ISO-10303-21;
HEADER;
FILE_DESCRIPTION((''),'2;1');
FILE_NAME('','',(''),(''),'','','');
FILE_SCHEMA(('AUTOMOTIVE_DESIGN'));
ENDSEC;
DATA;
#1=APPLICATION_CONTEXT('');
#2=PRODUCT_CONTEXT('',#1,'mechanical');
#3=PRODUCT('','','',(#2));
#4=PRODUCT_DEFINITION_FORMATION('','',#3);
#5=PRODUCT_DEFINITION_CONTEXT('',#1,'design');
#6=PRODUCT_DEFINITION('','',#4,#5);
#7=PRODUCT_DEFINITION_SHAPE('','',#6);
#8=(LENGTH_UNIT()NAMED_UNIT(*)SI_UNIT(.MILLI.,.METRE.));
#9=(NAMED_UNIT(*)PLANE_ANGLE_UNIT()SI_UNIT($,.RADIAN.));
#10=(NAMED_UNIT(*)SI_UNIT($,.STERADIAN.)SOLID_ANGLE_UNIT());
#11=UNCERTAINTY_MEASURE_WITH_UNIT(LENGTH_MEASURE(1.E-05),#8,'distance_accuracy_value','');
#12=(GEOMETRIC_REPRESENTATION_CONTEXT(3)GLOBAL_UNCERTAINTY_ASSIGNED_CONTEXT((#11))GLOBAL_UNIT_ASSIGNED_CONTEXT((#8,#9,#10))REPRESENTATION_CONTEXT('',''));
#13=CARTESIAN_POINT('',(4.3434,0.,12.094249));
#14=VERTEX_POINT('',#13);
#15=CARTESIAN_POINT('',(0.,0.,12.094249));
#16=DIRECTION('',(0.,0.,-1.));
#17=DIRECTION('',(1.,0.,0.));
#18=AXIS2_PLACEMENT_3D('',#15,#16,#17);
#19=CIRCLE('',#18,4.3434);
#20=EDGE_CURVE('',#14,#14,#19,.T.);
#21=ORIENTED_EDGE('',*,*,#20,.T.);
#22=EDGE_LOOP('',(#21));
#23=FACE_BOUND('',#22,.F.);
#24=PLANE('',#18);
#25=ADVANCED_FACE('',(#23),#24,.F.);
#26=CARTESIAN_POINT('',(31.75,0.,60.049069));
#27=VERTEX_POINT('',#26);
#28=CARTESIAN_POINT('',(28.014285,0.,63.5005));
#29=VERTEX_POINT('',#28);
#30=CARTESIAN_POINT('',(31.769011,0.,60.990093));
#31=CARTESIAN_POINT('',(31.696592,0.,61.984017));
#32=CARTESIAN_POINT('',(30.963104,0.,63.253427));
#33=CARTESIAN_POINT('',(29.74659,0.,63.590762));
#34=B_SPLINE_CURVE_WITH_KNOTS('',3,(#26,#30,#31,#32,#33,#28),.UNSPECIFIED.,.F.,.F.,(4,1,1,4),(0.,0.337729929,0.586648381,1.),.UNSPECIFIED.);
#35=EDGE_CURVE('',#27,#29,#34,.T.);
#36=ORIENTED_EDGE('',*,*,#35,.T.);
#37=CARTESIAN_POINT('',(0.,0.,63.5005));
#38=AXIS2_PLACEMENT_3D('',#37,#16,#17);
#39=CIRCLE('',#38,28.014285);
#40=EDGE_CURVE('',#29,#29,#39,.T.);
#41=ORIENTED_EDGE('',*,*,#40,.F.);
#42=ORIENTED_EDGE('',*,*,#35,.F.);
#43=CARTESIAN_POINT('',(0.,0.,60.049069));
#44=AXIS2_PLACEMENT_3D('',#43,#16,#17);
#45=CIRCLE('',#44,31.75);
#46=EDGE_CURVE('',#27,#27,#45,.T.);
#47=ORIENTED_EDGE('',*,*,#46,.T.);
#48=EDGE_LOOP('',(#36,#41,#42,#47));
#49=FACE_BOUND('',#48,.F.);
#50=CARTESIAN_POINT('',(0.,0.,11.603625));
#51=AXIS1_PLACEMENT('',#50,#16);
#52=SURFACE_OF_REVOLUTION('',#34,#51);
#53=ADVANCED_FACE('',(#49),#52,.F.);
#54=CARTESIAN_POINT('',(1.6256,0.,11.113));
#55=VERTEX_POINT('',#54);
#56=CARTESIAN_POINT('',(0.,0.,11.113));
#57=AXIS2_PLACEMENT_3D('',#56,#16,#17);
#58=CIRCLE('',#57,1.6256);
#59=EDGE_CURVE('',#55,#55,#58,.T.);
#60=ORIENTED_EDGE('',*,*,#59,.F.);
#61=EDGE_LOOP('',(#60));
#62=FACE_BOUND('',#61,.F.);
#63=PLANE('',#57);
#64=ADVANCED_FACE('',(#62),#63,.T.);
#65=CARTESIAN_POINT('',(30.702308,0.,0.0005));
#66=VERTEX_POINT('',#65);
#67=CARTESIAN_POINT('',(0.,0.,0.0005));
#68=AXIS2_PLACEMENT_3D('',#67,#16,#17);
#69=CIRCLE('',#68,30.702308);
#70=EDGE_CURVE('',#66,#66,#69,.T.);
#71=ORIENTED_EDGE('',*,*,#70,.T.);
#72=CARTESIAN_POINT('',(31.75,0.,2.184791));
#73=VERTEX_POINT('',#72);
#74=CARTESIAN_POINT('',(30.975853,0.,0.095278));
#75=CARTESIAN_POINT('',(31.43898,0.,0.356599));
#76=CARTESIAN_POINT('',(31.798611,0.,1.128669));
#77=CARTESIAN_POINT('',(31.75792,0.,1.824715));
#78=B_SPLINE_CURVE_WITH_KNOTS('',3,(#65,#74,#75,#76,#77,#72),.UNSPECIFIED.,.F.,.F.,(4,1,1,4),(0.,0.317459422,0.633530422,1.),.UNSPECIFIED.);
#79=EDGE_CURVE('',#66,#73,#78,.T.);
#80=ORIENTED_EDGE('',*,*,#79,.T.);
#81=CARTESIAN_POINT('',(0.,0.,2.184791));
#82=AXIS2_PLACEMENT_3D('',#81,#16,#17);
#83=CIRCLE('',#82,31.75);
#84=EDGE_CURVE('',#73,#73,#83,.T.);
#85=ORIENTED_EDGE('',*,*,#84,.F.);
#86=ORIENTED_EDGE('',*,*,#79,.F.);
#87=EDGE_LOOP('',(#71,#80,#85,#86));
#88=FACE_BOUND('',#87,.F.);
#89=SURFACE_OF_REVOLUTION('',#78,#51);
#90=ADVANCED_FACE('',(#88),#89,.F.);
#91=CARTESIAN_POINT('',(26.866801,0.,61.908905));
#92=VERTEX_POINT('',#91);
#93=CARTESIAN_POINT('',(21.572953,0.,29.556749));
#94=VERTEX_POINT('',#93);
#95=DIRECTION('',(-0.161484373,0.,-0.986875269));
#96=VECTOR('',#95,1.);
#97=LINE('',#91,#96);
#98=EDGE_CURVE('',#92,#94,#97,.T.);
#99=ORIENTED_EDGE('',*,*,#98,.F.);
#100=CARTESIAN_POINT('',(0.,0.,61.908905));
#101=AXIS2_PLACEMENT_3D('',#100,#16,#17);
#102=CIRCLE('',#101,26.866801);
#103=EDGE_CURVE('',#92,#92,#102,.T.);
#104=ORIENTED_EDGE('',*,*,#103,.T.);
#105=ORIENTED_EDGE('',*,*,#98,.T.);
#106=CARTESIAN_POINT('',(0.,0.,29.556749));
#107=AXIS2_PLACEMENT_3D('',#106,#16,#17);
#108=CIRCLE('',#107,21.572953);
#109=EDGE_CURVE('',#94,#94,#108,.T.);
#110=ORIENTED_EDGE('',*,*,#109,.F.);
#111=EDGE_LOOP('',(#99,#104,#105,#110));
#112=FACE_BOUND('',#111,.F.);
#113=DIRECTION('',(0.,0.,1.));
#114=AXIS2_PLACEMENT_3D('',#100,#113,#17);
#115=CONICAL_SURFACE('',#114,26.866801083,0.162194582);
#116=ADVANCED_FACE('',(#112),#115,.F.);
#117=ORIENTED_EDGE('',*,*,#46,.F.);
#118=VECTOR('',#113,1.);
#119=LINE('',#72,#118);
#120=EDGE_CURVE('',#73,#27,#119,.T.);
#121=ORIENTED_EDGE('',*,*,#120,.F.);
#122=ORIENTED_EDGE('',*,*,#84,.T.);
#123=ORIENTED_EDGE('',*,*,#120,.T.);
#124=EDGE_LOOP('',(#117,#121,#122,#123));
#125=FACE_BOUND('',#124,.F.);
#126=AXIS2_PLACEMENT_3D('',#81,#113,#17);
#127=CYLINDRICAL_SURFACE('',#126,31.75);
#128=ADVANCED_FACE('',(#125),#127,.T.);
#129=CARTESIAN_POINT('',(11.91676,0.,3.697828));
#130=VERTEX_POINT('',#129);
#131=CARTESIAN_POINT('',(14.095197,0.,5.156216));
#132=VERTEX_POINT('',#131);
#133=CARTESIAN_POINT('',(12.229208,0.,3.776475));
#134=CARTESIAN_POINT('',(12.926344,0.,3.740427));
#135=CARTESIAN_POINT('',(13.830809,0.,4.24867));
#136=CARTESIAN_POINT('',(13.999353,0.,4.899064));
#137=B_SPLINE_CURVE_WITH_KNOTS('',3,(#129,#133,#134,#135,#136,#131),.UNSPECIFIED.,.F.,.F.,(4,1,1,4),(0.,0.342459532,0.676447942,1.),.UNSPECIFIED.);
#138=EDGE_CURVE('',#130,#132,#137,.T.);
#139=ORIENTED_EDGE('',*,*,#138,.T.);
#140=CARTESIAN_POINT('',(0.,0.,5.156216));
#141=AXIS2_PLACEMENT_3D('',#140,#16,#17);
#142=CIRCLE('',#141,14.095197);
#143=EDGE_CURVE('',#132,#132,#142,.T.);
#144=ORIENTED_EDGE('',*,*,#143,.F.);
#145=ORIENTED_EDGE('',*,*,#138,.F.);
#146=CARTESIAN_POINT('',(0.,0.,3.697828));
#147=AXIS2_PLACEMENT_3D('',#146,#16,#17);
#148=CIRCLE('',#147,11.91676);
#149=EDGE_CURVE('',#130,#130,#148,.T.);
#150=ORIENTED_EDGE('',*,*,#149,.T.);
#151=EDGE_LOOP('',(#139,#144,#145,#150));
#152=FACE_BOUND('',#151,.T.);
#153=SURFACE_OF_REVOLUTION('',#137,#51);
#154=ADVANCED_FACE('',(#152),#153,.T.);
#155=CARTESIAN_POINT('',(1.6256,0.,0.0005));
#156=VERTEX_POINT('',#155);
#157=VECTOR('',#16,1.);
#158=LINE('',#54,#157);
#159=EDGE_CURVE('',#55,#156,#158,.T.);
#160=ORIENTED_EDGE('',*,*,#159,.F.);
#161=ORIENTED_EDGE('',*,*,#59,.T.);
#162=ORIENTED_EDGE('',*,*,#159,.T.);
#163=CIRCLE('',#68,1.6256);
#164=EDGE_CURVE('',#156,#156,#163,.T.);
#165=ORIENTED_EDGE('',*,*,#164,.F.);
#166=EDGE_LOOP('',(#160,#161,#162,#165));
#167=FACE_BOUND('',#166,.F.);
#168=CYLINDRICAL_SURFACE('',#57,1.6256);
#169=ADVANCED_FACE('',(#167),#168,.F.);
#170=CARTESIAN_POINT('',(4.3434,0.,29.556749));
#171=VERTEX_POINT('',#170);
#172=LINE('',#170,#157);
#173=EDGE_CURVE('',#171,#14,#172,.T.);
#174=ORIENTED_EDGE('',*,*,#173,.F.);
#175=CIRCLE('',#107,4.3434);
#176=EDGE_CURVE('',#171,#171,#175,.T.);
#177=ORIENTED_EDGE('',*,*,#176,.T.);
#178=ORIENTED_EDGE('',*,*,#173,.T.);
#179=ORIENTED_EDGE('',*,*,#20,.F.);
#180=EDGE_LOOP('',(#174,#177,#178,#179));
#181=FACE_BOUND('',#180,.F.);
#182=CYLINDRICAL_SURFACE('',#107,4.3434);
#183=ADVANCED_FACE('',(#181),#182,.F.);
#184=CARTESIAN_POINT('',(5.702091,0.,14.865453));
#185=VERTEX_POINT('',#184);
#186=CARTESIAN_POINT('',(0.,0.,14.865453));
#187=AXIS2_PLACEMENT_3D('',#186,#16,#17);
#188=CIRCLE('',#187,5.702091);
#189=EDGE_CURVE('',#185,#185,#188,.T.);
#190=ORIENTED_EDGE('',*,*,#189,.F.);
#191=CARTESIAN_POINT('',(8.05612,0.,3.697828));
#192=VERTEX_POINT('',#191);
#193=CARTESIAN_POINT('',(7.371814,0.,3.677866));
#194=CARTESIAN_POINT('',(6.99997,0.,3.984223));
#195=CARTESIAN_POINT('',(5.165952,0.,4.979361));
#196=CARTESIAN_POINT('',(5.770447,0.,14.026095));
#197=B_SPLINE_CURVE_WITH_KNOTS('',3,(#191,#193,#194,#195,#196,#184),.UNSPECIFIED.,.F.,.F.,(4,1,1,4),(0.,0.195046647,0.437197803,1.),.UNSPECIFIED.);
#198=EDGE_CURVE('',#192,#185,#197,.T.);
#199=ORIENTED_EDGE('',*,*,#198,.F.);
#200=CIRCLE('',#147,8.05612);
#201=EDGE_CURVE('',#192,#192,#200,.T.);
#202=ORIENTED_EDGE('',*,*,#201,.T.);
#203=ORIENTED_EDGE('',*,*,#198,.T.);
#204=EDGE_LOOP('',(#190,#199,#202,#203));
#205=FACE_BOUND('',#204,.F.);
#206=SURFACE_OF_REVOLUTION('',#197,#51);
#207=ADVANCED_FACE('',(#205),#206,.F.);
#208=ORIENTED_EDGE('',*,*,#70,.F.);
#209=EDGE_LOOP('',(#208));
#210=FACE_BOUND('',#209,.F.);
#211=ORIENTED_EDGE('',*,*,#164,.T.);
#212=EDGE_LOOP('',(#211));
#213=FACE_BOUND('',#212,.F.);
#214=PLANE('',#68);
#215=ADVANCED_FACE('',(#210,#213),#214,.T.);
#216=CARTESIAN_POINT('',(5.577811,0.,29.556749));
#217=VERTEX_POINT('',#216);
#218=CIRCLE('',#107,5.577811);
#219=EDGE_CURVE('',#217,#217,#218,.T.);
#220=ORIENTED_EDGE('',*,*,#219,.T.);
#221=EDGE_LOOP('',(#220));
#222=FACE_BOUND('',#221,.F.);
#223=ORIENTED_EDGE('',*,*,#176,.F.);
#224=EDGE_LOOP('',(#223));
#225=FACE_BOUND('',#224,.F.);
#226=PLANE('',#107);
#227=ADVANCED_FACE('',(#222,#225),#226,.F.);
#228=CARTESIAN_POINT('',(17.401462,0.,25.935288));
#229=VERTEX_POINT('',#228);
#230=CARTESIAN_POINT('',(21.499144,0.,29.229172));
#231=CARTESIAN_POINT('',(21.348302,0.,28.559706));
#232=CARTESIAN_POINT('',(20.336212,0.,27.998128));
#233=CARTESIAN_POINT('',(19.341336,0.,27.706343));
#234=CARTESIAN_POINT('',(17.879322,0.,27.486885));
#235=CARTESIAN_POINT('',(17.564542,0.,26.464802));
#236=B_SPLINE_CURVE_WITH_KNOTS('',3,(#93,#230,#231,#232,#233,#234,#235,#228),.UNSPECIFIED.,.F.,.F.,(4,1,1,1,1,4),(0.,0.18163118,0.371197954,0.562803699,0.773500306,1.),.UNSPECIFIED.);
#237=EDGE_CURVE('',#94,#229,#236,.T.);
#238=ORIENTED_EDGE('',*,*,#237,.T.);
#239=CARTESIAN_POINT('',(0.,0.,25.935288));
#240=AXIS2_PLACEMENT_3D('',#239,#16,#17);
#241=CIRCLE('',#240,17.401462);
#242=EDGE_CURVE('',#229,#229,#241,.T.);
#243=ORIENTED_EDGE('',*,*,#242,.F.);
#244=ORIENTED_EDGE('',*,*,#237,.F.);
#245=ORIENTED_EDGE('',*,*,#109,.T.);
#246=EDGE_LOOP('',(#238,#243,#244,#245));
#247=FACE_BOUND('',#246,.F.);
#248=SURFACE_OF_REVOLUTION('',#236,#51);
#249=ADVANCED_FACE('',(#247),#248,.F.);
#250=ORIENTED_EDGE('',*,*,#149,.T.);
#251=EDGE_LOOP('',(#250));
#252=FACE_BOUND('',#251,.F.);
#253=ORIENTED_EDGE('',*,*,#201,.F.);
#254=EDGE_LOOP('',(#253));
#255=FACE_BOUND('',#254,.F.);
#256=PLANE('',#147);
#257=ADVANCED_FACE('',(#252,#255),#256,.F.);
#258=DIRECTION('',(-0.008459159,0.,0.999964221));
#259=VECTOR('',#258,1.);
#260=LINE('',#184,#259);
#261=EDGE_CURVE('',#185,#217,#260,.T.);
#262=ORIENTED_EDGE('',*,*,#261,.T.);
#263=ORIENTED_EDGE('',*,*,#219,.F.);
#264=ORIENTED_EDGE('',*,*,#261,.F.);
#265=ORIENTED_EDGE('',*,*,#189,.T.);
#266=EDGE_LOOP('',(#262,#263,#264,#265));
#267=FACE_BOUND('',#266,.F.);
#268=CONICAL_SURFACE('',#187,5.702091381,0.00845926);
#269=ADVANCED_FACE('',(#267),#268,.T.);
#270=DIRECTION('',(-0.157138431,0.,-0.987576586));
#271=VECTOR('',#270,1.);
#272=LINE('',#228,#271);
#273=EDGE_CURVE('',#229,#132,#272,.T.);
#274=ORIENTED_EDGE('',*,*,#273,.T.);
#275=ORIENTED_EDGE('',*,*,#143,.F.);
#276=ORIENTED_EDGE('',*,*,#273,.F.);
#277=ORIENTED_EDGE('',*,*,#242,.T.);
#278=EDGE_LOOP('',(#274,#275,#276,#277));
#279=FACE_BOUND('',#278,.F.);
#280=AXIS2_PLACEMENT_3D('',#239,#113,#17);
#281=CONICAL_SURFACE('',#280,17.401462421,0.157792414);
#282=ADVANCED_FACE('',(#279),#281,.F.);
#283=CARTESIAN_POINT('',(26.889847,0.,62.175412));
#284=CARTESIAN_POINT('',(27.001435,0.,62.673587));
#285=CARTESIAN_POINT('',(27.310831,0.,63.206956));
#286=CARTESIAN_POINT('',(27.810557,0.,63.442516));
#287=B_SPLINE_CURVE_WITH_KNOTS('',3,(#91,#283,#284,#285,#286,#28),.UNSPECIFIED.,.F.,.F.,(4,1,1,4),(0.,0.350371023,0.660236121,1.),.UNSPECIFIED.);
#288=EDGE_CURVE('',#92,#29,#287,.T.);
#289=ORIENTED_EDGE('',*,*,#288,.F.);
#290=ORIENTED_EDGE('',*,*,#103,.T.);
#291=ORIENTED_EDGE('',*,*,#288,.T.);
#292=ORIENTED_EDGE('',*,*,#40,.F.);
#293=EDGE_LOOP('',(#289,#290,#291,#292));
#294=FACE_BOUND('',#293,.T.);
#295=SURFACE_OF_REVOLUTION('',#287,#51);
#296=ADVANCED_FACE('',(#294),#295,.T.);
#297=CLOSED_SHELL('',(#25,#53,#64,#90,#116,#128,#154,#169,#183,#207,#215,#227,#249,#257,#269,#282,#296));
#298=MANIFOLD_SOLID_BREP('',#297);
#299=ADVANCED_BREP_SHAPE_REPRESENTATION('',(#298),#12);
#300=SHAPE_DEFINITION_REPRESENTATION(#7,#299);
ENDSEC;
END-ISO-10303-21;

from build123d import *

# Parameters (mm, degrees)
F2_R     = 4.7469508404
F3_DEPTH = 9.525


with BuildPart() as f1:
    # F0 (on Front) → F1 (revolve)
    with BuildSketch(Plane.XZ):
        with BuildLine():
            Line((0, 0.9812490329), (0, 0))
            Line((0, 0), (1.6256, 0))
            Line((1.6256, 0), (1.6256, -11.1125))
            Line((1.6256, -11.1125), (30.7023078203, -11.1125))
            add(Edge.make_bspline(
                [(30.7023078203, -11.1125), (30.975852623, -11.017721514), (31.4389798048, -10.756400634), (31.7986107057, -9.9843307947), (31.7579196289, -9.2882845492), (31.75, -8.9282086119)],
                knots=[0, 0, 0, 0, 0.3174594219, 0.6335304223, 1, 1, 1, 1], degree=3))
            Line((31.75, -8.9282086119), (31.75, 48.9360690117))
            add(Edge.make_bspline(
                [(31.75, 48.9360690117), (31.7690109769, 49.8770929634), (31.6965917292, 50.8710171888), (30.9631042597, 52.1404272499), (29.7465902322, 52.4777620687), (28.0142854899, 52.3875)],
                knots=[0, 0, 0, 0, 0.3377299292, 0.586648381, 1, 1, 1, 1], degree=3))
            add(Edge.make_bspline(
                [(26.8668010831, 50.795905292), (26.8898471956, 51.0624120291), (27.0014352562, 51.5605867069), (27.3108313644, 52.0939557348), (27.8105565728, 52.3295162182), (28.0142854899, 52.3875)],
                knots=[0, 0, 0, 0, 0.3503710232, 0.6602361207, 1, 1, 1, 1], degree=3))
            Line((26.8668010831, 50.795905292), (21.5729530901, 18.4437490329))
            add(Edge.make_bspline(
                [(21.5729530901, 18.4437490329), (21.4991443202, 18.1161719718), (21.3483020233, 17.4467057765), (20.3362117179, 16.8851277771), (19.3413363836, 16.5933430901), (17.8793223703, 16.3738850883), (17.5645418022, 15.3518021904), (17.4014624208, 14.8222884163)],
                knots=[0, 0, 0, 0, 0.1816311799, 0.3711979544, 0.5628036991, 0.7735003063, 1, 1, 1, 1], degree=3))
            Line((17.4014624208, 14.8222884163), (14.0951965004, -5.9567838907))
            add(Edge.make_bspline(
                [(11.9167603552, -7.4151717126), (12.2292079791, -7.3365245376), (12.9263437553, -7.3725729241), (13.8308093416, -6.8643295221), (13.9993532378, -6.2139360125), (14.0951965004, -5.9567838907)],
                knots=[0, 0, 0, 0, 0.3424595324, 0.676447942, 1, 1, 1, 1], degree=3))
            Line((11.9167603552, -7.4151717126), (8.0561200157, -7.4151717126))
            add(Edge.make_bspline(
                [(8.0561200157, -7.4151717126), (7.3718139471, -7.4351340913), (6.9999702595, -7.1287769193), (5.1659517697, -6.1336385829), (5.7704470046, 2.913095458), (5.702091381, 3.7524529994)],
                knots=[0, 0, 0, 0, 0.1950466471, 0.4371978025, 1, 1, 1, 1], degree=3))
            Line((5.702091381, 3.7524529994), (5.5778109236, 18.4437490329))
            Line((5.5778109236, 18.4437490329), (4.3434, 18.4437490329))
            Line((4.3434, 18.4437490329), (4.3434, 0.9812490329))
            Line((4.3434, 0.9812490329), (0, 0.9812490329))
        make_face()
    revolve(axis=Axis((0, 0, 0.4906245165), (0, 0, -1)))


with BuildPart() as f3:
    # F2 (on face) → F3 (new body)
    with BuildSketch(Plane.XY.offset(0.9812490329)):
        Circle(F2_R)
    extrude(amount=F3_DEPTH)


with BuildPart() as f1_1:
    # F5: moved
    add(f1.part.moved(Location((0, 0, 11.113))))


solid = f1_1.part
